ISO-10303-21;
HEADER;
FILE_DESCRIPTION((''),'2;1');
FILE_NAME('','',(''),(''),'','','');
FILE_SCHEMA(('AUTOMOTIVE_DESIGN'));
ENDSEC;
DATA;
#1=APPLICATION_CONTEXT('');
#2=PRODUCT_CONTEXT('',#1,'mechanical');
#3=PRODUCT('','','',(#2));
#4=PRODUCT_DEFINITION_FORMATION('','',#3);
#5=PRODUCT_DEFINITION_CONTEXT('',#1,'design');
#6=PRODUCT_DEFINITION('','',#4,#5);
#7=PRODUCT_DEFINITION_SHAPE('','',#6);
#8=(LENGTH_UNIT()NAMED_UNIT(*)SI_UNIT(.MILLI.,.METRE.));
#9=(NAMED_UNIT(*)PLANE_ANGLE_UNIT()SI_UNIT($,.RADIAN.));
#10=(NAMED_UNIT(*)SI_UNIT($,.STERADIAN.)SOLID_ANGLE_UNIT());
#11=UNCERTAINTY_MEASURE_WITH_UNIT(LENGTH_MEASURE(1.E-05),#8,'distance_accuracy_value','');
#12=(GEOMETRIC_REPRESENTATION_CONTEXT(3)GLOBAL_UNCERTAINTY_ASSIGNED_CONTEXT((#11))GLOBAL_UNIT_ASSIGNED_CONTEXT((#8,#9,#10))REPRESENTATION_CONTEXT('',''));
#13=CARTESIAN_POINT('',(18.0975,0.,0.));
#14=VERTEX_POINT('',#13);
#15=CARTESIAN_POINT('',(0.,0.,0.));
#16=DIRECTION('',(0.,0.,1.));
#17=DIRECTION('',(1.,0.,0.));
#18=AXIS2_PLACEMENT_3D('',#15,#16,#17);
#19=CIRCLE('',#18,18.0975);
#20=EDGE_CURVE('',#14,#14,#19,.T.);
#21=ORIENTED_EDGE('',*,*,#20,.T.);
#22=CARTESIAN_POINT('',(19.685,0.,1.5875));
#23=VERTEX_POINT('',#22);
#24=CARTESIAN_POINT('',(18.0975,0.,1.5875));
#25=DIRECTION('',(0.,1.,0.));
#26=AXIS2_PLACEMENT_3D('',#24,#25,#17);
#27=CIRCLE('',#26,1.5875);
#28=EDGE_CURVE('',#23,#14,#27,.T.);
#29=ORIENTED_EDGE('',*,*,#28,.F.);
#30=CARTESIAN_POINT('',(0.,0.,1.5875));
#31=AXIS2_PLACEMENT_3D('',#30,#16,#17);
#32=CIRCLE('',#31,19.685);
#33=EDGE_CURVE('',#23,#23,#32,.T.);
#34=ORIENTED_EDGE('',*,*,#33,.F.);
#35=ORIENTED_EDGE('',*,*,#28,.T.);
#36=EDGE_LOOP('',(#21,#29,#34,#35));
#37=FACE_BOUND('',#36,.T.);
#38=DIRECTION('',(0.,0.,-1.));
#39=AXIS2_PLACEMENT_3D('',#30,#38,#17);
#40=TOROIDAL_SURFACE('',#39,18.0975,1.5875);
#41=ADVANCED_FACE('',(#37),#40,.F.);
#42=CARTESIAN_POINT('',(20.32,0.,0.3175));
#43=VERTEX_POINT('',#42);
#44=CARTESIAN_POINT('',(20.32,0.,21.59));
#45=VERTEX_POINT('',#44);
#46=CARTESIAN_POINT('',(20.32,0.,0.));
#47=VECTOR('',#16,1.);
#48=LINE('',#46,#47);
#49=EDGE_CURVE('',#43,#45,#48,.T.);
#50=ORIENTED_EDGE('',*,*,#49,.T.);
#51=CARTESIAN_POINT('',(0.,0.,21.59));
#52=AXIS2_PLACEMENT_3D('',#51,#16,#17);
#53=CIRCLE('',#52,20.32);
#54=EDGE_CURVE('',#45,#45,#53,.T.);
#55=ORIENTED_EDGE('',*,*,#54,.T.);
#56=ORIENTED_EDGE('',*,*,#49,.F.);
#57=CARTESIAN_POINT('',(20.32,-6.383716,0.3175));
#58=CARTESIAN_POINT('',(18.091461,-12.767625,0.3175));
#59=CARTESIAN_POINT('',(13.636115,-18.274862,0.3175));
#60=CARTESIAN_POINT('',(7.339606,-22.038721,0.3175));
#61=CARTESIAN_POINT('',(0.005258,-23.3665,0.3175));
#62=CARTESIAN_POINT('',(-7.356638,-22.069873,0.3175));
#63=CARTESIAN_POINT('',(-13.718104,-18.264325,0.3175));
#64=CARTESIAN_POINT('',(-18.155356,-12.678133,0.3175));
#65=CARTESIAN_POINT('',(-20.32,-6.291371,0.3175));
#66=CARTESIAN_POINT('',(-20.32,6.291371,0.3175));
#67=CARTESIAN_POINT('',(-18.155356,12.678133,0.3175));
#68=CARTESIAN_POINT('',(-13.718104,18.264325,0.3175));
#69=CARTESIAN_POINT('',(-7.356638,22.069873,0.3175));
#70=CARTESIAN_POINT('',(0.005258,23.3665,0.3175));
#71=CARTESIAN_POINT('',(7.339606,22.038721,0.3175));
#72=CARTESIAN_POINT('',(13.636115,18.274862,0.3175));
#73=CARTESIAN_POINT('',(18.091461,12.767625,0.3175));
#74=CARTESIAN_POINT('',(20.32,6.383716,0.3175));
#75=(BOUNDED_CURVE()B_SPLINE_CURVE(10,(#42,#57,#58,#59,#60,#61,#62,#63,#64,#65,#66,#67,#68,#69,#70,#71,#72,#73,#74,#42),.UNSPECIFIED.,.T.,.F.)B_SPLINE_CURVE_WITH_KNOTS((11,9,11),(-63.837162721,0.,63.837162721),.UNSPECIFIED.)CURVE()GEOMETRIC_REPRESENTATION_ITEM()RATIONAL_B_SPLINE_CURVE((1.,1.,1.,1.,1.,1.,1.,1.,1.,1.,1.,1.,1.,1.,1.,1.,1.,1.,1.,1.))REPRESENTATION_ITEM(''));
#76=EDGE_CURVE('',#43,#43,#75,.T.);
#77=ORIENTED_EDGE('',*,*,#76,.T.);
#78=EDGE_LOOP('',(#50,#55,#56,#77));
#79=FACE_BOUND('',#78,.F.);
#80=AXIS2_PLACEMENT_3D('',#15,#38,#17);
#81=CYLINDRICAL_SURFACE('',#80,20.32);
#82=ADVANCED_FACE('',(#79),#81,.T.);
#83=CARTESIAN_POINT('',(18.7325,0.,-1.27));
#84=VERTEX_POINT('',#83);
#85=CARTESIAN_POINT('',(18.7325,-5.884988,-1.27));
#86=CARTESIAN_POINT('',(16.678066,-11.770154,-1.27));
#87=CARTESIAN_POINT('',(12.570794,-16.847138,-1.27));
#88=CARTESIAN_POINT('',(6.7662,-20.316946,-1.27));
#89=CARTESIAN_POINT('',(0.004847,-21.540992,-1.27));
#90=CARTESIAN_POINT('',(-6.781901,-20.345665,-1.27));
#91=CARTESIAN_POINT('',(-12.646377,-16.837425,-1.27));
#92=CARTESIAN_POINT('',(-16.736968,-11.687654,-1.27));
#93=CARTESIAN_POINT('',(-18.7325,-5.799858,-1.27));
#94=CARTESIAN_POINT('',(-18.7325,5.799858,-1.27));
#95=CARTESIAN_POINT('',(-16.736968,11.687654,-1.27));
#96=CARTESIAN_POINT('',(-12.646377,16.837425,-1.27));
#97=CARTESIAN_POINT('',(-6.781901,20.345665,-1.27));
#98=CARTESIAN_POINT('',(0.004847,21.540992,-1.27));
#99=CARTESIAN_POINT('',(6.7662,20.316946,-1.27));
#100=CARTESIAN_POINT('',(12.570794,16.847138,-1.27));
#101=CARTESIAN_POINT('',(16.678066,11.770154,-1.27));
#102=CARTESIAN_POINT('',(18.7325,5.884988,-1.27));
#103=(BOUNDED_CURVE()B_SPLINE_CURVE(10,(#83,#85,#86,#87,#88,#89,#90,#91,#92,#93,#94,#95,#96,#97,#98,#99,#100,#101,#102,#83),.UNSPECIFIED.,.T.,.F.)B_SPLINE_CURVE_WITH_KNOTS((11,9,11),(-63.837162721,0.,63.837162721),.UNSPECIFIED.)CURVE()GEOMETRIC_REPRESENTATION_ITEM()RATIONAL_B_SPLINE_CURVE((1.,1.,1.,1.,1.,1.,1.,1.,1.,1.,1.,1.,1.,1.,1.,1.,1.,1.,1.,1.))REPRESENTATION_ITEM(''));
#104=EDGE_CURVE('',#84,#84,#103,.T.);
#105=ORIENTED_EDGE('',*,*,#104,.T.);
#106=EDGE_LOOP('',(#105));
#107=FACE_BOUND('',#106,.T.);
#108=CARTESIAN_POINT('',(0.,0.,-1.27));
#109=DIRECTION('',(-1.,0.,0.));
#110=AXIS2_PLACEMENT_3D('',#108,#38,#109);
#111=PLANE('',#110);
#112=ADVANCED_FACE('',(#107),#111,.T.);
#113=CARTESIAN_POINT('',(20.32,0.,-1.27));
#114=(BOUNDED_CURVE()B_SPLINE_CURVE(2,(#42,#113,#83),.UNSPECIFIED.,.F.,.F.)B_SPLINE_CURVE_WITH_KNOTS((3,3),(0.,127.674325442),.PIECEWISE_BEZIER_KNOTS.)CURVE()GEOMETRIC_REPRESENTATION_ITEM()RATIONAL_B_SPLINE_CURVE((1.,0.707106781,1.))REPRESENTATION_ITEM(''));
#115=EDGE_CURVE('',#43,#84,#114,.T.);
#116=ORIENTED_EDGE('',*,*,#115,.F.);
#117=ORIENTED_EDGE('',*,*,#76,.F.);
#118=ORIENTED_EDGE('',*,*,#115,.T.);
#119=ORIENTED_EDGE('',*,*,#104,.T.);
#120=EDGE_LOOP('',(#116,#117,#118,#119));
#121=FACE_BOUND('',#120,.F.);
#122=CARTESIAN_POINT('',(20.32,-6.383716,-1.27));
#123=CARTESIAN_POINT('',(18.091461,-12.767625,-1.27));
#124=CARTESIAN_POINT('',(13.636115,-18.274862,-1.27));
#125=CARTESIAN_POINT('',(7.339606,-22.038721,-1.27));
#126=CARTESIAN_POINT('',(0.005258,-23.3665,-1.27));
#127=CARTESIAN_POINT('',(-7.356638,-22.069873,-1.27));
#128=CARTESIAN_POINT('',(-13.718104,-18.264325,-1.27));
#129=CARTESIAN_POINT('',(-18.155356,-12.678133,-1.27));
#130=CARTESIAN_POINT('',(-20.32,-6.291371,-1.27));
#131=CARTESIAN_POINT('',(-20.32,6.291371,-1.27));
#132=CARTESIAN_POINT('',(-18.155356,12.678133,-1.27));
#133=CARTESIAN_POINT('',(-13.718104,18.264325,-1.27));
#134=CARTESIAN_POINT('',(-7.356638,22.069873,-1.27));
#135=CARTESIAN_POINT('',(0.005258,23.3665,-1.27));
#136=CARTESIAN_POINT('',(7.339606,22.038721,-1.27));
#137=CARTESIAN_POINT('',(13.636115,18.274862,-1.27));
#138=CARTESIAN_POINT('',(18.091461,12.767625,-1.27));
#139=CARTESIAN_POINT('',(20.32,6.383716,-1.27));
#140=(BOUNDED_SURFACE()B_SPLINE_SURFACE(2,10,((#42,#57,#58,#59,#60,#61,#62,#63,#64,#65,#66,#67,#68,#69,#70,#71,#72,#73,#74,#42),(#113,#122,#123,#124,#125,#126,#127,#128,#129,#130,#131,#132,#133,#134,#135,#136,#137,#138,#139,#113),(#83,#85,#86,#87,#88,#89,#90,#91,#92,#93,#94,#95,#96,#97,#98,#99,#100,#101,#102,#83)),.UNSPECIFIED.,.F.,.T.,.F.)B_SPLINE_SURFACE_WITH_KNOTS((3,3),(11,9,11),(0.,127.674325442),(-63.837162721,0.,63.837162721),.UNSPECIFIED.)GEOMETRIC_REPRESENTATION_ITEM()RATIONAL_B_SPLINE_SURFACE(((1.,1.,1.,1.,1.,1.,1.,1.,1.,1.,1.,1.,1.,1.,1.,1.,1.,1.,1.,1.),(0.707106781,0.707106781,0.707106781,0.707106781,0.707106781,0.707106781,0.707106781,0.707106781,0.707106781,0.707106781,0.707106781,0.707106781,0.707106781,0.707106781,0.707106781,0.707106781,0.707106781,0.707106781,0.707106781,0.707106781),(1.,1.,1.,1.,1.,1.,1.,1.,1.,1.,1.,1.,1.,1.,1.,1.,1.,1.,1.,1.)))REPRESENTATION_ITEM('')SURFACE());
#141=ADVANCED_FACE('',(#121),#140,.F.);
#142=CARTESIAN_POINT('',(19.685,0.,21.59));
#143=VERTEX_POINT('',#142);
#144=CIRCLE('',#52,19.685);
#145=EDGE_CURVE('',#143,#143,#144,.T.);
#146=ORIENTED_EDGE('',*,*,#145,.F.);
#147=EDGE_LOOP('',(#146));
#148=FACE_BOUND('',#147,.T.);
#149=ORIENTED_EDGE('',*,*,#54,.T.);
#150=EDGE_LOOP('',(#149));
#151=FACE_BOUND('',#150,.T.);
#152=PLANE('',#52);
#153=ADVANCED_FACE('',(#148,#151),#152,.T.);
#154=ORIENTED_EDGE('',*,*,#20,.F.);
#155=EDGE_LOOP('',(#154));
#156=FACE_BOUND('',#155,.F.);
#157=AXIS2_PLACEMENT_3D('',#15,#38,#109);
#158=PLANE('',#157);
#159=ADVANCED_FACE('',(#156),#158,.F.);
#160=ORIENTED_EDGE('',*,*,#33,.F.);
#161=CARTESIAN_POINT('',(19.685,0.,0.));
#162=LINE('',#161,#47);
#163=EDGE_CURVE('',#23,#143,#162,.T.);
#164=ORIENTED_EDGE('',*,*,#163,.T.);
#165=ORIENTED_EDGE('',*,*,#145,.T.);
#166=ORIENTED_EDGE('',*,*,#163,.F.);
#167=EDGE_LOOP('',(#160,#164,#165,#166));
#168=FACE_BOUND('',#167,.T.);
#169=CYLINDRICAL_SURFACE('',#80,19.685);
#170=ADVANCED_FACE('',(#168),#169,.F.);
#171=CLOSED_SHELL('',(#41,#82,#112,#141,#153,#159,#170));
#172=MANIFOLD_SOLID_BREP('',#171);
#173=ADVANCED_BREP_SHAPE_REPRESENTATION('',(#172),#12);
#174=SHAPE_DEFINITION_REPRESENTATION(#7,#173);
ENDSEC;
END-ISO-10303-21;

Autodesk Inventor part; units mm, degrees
ref_plane "YZ Plane" through (0, 0, 0) normal (1, 0, 0) x (0, 1, 0)
ref_plane "XZ Plane" through (0, 0, 0) normal (0, 1, 0) x (-1, 0, 0)
ref_plane "XY Plane" through (0, 0, 0) normal (0, 0, 1) x (1, 0, 0)
sketch "Sketch1" plane through (0, 0, 0) normal (0, 0, 1) x (1, 0, 0)
  circle A0 centre (0, 0) radius 20.32
  circle A1 centre (0, 0) radius 19.685
  dimension "d0" = 40.64
  dimension "d1" = 39.37
extrude "Extrusion1" add sketch "Sketch1" along normal blind 21.59
sketch "Sketch2" plane through (0, 0, 0) normal (0, 0, -1) x (-1, 0, 0)
  circle A0 centre (0, 0) radius 20.32 projected
extrude "Extrusion2" add sketch "Sketch2" along normal blind 1.27
fillet "Fillet1" radius 1.5875 2 edges at (20.32, 0, -1.27) (-19.685, 0, 0)
properties part number "PSI Gauge Base 1764"
